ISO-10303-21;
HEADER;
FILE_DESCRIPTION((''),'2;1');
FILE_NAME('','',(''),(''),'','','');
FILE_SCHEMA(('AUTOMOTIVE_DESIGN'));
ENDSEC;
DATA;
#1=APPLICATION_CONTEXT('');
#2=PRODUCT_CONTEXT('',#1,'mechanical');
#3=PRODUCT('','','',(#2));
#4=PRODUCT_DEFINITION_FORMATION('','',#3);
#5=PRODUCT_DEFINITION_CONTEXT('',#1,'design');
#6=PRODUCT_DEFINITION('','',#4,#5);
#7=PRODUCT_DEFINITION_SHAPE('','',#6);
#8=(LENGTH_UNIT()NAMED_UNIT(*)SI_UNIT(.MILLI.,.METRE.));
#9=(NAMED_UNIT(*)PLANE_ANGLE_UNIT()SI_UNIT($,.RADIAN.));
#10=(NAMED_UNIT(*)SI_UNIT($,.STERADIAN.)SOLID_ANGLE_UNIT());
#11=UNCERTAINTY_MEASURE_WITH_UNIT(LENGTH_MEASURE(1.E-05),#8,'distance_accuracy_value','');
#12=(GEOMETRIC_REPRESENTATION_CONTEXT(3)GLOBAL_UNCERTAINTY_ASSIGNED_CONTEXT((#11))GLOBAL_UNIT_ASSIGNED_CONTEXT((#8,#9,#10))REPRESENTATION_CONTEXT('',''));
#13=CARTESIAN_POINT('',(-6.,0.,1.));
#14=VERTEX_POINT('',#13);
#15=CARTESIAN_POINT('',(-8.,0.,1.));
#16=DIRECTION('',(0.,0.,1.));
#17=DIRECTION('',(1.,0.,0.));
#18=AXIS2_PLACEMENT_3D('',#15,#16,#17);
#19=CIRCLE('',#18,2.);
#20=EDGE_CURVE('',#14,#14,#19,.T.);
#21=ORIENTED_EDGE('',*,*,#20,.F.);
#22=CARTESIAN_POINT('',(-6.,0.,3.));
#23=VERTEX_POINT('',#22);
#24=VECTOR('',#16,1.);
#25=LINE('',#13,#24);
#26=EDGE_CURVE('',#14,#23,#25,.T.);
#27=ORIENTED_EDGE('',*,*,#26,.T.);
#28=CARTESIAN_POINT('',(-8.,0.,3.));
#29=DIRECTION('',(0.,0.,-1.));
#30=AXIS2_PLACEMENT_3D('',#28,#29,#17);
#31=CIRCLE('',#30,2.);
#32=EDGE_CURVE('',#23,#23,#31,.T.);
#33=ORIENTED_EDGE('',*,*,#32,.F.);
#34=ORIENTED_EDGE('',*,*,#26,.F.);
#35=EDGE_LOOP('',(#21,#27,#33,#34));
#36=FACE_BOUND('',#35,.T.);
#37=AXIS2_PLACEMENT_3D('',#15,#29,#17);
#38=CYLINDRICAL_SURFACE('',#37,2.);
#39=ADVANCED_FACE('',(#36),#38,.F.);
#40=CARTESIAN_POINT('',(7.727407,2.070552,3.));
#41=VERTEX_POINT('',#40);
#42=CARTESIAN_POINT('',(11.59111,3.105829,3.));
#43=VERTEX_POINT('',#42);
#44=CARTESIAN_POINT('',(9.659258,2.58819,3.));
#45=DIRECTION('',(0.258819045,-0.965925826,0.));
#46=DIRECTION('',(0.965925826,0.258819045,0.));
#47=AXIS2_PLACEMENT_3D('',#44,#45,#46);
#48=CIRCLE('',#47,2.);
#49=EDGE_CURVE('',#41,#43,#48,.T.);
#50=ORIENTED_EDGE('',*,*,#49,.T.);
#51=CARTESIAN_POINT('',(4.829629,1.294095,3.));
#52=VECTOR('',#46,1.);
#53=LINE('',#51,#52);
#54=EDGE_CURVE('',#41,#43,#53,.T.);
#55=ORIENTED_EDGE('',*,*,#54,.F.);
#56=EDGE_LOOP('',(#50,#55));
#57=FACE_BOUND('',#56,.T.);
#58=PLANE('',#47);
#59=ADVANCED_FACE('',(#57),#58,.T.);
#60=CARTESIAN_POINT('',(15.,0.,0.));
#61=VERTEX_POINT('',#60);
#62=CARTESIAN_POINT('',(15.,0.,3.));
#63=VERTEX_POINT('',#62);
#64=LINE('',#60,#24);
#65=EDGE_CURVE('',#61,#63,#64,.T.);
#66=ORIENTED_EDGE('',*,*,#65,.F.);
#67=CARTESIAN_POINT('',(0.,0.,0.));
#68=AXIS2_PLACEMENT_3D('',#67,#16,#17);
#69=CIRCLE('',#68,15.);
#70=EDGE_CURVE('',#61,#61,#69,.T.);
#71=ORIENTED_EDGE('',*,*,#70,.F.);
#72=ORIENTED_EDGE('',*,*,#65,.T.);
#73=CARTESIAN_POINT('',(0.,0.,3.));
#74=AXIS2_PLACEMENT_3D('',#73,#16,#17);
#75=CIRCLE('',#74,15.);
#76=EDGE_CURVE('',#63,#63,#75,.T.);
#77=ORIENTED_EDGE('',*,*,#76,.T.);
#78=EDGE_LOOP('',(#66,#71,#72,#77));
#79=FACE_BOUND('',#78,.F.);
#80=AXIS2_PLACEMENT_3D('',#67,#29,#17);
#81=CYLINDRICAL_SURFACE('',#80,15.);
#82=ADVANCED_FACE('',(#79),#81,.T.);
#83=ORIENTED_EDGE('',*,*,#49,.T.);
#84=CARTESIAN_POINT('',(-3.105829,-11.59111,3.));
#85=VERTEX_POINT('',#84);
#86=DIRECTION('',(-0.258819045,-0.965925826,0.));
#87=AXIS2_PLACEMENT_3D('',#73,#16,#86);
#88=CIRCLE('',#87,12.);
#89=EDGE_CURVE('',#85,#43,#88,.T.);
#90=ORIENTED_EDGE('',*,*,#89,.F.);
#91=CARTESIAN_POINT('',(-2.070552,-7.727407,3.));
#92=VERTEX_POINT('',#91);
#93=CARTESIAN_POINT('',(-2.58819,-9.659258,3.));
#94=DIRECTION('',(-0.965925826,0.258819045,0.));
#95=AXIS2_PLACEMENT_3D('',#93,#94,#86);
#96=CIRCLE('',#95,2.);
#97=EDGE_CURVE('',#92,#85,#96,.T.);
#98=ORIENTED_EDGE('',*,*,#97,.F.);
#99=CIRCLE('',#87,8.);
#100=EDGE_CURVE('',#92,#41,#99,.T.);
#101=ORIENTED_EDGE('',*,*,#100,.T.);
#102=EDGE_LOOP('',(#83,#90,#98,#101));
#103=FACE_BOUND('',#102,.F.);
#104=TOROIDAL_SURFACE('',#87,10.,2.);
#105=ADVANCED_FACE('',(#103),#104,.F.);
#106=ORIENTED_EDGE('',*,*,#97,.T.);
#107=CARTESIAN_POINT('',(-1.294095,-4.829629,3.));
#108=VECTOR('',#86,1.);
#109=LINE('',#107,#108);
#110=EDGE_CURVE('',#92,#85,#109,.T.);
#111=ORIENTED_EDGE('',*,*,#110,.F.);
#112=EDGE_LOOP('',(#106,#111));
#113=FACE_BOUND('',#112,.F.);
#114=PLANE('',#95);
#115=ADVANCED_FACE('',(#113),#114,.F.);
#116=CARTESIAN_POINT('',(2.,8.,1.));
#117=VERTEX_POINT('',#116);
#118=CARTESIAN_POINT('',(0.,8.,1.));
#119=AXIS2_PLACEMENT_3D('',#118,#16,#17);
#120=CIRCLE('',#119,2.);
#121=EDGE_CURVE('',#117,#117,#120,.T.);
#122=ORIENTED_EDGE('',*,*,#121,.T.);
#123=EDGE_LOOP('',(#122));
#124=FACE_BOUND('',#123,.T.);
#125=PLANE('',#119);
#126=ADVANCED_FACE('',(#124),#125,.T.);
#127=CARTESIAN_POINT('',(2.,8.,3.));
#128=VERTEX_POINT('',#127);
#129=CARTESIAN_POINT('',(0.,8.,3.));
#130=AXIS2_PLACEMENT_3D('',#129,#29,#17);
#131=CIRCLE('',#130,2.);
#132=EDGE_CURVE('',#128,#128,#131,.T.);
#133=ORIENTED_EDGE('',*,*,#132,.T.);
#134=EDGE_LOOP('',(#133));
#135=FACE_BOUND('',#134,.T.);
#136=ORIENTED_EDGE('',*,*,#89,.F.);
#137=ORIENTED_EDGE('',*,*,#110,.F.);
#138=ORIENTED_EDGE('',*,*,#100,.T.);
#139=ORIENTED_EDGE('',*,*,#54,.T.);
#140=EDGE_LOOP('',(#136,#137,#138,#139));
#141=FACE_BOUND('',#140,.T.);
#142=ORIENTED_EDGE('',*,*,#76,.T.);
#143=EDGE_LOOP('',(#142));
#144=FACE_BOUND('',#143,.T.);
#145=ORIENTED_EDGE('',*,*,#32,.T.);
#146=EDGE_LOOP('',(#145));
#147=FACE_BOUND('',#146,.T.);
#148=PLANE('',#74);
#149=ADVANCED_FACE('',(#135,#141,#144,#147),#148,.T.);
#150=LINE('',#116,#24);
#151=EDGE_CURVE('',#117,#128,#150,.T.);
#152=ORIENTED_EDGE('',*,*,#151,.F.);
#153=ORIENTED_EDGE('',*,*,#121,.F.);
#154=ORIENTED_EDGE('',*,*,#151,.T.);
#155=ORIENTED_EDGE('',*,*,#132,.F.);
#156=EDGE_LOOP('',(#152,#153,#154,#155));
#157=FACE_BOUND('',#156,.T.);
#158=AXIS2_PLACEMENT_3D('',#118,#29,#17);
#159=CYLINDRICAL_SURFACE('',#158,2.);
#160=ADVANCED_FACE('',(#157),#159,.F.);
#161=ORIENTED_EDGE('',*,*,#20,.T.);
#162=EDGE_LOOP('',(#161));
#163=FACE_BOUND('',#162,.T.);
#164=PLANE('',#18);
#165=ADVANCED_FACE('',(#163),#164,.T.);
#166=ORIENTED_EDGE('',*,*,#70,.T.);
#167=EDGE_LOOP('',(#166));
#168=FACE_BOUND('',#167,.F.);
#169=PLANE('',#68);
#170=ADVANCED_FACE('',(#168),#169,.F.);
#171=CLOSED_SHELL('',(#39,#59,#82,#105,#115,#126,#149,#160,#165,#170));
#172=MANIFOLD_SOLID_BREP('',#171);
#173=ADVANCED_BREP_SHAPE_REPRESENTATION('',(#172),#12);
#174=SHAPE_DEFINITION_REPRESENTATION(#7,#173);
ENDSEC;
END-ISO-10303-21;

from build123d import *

# Parameters (mm, degrees)
CYLINDER001_R         = 2
CYLINDER001_DEPTH     = 10
CYLINDER002_R         = 2
CYLINDER002_DEPTH     = 10
TORUS_R               = 2
TORUS_ANGLE           = 120
TORUS_PLACEMENT_ANGLE = 255
CYLINDER_R            = 15
CYLINDER_DEPTH        = 3


with BuildPart() as cilindro001:
    # Cylinder001 → Cylinder001 (new body)
    with BuildSketch(Plane(origin=(0, 8, 1), x_dir=(1, 0, 0), z_dir=(0, 0, 1))):
        Circle(CYLINDER001_R)
    extrude(amount=CYLINDER001_DEPTH)


with BuildPart() as fusion:
    # Cylinder002 → Cylinder002 (new body)
    with BuildSketch(Plane(origin=(-8, 0, 1), x_dir=(1, 0, 0), z_dir=(0, 0, 1))):
        Circle(CYLINDER002_R)
    extrude(amount=CYLINDER002_DEPTH)

    # Fusion: union Cilindro001
    add(cilindro001.part)


with BuildPart() as toro:
    # Torus → Torus (revolve)
    with BuildSketch(Plane.XZ):
        with Locations((10, 0)):
            Circle(TORUS_R)
    revolve(axis=Axis((0, 0, 0), (0, 0, 1)), revolution_arc=TORUS_ANGLE)


with BuildPart() as toro_1:
    # Torus placement: moved
    add(toro.part.moved(Location((0, 0, 3))).rotate(Axis((0, 0, 3), (0, 0, 1)), TORUS_PLACEMENT_ANGLE))


with BuildPart() as cut001:
    # Cylinder → Cylinder (new body)
    with BuildSketch(Plane.XY):
        Circle(CYLINDER_R)
    extrude(amount=CYLINDER_DEPTH)

    # Cut: cut Toro
    add(toro_1.part, mode=Mode.SUBTRACT)

    # Cut001: cut Fusion
    add(fusion.part, mode=Mode.SUBTRACT)


solid = cut001.part
